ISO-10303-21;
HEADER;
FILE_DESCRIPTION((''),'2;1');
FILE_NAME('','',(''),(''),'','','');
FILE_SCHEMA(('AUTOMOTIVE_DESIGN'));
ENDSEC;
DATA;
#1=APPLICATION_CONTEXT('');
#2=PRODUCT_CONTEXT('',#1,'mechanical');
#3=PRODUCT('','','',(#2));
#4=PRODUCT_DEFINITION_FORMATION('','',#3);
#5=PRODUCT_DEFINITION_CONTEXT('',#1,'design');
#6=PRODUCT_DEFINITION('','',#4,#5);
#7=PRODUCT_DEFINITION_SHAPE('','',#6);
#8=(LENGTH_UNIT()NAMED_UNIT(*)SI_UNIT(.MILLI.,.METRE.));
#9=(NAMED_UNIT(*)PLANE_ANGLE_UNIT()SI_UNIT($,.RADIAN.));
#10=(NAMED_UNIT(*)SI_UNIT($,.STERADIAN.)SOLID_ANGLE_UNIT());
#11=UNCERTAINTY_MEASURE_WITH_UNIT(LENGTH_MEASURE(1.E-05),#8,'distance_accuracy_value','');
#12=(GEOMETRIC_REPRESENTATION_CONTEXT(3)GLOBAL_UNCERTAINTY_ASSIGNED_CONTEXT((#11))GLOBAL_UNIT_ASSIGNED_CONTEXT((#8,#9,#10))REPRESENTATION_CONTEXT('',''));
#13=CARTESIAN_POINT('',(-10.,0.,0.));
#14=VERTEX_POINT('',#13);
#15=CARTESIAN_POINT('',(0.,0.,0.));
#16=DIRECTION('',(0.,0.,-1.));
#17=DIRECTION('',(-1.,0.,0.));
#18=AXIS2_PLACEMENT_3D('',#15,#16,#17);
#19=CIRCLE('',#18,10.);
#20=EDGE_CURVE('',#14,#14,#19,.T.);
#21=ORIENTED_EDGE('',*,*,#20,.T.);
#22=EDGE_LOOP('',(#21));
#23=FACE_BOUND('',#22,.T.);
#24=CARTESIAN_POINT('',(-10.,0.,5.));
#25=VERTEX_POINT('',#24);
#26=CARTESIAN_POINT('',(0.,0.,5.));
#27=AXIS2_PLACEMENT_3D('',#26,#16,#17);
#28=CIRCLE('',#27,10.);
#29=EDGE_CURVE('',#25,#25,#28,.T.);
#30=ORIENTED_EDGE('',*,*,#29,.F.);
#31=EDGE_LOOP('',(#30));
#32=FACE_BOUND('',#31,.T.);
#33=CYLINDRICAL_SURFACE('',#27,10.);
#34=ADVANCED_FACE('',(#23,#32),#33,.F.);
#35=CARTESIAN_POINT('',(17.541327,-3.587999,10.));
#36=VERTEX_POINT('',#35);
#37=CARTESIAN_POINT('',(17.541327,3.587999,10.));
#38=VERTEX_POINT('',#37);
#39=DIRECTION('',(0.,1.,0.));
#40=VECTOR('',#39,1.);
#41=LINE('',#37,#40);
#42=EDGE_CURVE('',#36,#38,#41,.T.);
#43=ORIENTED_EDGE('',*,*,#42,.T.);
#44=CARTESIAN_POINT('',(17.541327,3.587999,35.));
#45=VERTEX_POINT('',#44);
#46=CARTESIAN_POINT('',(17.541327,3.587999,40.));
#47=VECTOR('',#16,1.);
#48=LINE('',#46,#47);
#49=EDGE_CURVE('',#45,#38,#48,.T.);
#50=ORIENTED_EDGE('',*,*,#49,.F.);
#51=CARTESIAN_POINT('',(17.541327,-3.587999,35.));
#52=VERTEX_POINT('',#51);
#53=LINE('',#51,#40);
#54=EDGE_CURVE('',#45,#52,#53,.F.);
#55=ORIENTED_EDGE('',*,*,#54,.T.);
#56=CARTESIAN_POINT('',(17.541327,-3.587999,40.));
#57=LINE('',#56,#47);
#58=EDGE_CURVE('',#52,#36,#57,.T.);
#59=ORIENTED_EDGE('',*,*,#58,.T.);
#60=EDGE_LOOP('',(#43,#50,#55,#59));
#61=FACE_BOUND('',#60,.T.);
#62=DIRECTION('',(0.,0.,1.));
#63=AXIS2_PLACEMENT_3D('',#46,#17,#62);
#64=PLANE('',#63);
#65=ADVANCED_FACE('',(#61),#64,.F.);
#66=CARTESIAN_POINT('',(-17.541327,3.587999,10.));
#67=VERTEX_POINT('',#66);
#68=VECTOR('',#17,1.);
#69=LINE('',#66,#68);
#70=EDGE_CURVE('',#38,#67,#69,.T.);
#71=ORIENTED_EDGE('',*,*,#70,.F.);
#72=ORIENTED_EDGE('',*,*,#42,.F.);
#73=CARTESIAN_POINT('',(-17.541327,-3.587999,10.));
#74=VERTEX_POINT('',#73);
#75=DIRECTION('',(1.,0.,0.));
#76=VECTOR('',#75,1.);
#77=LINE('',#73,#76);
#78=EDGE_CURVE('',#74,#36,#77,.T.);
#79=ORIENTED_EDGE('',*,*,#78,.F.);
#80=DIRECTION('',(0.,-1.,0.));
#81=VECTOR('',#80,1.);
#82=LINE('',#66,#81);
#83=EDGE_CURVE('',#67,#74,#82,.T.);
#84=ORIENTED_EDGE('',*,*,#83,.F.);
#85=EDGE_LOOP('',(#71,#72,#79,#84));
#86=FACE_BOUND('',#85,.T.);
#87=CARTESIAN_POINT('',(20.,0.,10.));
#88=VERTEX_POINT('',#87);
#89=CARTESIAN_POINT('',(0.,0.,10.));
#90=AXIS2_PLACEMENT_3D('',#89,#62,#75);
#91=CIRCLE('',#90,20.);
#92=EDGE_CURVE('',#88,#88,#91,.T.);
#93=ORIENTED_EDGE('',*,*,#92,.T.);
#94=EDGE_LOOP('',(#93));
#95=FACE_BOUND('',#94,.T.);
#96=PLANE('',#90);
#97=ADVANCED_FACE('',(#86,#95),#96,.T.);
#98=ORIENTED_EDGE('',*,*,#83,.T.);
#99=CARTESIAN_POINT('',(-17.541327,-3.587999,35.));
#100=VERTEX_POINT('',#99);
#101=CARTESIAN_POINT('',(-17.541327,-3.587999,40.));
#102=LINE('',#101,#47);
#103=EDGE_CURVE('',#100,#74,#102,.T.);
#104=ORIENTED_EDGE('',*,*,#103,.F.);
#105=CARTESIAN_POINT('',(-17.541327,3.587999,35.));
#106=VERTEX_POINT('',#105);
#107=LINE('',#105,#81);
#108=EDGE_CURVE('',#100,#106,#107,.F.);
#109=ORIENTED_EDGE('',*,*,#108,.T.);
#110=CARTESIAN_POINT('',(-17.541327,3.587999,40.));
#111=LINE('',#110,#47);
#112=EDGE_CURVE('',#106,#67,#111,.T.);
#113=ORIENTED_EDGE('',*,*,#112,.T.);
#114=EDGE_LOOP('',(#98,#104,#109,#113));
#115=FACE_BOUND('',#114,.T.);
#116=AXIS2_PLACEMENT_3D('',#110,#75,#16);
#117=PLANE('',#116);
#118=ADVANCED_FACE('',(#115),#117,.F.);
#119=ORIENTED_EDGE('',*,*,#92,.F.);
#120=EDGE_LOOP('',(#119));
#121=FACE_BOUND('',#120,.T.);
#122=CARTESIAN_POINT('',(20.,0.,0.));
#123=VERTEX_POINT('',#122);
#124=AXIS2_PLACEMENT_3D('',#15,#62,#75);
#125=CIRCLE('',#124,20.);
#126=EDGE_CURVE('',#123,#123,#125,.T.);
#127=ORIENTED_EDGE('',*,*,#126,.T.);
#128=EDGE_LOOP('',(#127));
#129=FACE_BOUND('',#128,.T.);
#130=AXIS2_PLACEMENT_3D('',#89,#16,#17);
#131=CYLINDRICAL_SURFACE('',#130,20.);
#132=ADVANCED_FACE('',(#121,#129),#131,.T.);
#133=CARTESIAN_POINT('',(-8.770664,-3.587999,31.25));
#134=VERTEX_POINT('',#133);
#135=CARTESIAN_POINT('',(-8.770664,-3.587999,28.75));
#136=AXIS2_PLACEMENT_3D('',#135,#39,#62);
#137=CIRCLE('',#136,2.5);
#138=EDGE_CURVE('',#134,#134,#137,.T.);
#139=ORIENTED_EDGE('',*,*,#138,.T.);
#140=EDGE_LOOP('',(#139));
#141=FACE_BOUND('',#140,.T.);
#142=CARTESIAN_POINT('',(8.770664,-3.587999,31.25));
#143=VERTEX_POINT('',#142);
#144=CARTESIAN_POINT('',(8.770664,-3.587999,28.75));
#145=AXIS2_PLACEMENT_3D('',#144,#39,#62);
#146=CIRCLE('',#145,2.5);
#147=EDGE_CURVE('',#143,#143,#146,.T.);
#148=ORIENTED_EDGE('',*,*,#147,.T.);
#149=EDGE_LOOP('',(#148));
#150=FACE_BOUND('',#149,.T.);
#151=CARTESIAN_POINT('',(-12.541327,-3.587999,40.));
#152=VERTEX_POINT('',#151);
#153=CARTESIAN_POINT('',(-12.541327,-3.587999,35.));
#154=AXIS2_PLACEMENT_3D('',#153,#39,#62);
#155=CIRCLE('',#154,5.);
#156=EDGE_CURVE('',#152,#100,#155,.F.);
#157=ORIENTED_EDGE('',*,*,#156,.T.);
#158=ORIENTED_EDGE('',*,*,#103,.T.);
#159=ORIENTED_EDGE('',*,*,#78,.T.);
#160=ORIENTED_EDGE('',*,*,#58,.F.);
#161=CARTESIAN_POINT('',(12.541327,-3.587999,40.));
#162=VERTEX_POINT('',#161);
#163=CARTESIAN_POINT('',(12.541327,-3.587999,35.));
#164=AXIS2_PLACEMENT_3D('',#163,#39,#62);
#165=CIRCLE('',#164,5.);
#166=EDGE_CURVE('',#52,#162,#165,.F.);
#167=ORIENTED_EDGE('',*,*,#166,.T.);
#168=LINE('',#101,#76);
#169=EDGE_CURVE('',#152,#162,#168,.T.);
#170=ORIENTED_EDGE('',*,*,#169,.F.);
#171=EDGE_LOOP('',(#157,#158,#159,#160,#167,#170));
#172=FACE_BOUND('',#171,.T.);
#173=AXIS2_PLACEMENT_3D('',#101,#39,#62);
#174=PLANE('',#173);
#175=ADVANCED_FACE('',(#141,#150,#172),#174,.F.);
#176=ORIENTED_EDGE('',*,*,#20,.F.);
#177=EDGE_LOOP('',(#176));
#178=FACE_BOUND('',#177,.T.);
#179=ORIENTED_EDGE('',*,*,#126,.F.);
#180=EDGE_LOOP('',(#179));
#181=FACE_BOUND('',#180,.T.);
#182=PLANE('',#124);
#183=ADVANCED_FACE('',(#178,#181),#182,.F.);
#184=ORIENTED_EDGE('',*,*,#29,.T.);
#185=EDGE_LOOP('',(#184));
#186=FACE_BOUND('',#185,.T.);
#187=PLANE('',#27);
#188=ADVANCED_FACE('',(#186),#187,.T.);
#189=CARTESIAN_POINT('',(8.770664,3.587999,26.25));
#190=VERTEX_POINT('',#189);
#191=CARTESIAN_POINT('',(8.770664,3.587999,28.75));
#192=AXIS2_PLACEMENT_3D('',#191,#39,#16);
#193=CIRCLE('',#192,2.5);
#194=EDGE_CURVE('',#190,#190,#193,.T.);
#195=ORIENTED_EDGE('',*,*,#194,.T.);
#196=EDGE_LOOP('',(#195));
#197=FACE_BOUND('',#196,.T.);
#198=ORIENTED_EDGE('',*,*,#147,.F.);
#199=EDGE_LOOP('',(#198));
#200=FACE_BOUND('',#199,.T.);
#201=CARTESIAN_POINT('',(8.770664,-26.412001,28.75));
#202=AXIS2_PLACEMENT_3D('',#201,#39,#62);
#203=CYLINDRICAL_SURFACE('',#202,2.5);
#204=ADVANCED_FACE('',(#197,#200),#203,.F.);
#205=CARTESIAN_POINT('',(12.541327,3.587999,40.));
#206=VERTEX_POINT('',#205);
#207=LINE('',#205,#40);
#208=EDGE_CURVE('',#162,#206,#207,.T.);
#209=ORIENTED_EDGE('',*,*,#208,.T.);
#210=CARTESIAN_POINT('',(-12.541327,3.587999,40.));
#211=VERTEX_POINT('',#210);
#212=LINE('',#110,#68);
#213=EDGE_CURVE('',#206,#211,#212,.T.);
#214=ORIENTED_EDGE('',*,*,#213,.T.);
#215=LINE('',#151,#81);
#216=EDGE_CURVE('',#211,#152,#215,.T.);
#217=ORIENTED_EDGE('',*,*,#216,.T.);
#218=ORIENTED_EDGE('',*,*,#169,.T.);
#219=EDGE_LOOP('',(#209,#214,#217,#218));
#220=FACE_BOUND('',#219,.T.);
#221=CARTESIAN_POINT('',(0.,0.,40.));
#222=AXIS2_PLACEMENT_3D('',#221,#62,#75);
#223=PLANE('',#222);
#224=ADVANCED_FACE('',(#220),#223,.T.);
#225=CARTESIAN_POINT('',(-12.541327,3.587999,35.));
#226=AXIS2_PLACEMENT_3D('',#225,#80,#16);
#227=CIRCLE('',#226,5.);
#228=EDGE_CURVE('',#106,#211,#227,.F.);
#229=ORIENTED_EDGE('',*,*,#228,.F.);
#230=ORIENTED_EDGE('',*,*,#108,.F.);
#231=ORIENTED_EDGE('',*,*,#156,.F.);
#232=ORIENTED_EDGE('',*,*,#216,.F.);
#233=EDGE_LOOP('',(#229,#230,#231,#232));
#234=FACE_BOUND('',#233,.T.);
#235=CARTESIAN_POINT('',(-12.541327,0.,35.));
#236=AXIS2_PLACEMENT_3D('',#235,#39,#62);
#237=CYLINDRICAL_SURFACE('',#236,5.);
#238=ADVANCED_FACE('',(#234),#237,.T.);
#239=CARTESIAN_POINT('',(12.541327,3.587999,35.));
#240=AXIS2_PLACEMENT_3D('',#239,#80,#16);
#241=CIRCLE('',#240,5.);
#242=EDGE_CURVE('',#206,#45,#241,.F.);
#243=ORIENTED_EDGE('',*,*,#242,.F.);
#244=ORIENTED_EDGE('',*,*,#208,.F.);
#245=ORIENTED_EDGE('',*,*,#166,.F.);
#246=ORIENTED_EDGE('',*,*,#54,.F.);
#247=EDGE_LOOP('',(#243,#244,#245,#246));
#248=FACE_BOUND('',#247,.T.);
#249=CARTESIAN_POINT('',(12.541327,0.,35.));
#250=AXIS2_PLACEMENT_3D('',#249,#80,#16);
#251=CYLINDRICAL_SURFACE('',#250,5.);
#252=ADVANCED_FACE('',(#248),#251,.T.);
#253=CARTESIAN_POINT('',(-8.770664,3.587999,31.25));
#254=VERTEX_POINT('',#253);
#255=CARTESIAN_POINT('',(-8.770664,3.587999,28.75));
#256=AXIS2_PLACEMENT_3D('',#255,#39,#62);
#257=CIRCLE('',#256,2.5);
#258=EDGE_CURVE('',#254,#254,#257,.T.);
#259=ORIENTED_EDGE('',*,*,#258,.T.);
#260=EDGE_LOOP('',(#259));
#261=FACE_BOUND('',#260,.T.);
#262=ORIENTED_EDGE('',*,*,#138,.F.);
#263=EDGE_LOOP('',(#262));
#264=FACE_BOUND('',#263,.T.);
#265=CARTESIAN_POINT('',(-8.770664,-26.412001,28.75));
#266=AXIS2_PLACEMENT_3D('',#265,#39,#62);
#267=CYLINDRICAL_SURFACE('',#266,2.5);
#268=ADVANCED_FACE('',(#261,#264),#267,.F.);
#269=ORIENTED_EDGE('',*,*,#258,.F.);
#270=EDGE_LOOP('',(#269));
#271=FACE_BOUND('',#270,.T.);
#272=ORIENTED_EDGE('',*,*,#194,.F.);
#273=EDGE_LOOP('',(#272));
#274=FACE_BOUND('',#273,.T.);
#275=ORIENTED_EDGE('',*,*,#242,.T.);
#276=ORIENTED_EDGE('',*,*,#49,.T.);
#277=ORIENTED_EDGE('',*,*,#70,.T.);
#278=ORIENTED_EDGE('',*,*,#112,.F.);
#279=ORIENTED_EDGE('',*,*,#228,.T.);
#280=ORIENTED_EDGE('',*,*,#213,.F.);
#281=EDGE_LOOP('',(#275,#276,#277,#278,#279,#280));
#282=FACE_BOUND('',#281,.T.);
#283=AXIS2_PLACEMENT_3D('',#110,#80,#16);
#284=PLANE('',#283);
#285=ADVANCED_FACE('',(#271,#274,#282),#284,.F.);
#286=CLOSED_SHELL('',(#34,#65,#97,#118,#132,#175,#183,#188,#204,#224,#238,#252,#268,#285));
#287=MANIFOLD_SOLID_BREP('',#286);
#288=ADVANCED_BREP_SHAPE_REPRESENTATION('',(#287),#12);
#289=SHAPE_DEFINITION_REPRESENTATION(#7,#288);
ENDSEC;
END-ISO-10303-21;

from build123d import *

# Parameters (mm, degrees)
SKETCH1_R           = 20
BOSS_EXTRUDE1_DEPTH = 10
SKETCH2_W           = 35.08265457
SKETCH2_H           = 7.175997526
BOSS_EXTRUDE2_DEPTH = 30
FILLET1_R           = 5
SKETCH3_R           = 2.5
CUT_EXTRUDE1_DEPTH  = 30
SKETCH4_R           = 10
CUT_EXTRUDE2_DEPTH  = 5


with BuildPart() as part:
    # Sketch1 → Boss-Extrude1 (new body)
    with BuildSketch(Plane.XY):
        Circle(SKETCH1_R)
    extrude(amount=BOSS_EXTRUDE1_DEPTH)

    # Sketch2 → Boss-Extrude2 (add)
    with BuildSketch(Plane.XY.offset(10)):
        Rectangle(SKETCH2_W, SKETCH2_H)
    extrude(amount=BOSS_EXTRUDE2_DEPTH)

    # Fillet1
    fillet1_edges = [part.edges().sort_by_distance(p)[0] for p in [
        (17.541327285, 0, 40),
        (-17.541327285, 0, 40),
    ]]
    fillet(fillet1_edges, radius=FILLET1_R)

    # Sketch3 → Cut-Extrude1 (cut)
    with BuildSketch(Plane(origin=(0, 3.587998763, 0), x_dir=(1, 0, 0), z_dir=(0, 1, 0))):
        with Locations((-8.770663642, -28.75)):
            Circle(SKETCH3_R)
        with Locations((8.770663642, -28.75)):
            Circle(SKETCH3_R)
    extrude(amount=-CUT_EXTRUDE1_DEPTH, mode=Mode.SUBTRACT)

    # Sketch4 → Cut-Extrude2 (cut)
    with BuildSketch(Plane(origin=(0, 0, 0), x_dir=(-1, 0, 0), z_dir=(0, 0, -1))):
        Circle(SKETCH4_R)
    extrude(amount=-CUT_EXTRUDE2_DEPTH, mode=Mode.SUBTRACT)


solid = part.part
